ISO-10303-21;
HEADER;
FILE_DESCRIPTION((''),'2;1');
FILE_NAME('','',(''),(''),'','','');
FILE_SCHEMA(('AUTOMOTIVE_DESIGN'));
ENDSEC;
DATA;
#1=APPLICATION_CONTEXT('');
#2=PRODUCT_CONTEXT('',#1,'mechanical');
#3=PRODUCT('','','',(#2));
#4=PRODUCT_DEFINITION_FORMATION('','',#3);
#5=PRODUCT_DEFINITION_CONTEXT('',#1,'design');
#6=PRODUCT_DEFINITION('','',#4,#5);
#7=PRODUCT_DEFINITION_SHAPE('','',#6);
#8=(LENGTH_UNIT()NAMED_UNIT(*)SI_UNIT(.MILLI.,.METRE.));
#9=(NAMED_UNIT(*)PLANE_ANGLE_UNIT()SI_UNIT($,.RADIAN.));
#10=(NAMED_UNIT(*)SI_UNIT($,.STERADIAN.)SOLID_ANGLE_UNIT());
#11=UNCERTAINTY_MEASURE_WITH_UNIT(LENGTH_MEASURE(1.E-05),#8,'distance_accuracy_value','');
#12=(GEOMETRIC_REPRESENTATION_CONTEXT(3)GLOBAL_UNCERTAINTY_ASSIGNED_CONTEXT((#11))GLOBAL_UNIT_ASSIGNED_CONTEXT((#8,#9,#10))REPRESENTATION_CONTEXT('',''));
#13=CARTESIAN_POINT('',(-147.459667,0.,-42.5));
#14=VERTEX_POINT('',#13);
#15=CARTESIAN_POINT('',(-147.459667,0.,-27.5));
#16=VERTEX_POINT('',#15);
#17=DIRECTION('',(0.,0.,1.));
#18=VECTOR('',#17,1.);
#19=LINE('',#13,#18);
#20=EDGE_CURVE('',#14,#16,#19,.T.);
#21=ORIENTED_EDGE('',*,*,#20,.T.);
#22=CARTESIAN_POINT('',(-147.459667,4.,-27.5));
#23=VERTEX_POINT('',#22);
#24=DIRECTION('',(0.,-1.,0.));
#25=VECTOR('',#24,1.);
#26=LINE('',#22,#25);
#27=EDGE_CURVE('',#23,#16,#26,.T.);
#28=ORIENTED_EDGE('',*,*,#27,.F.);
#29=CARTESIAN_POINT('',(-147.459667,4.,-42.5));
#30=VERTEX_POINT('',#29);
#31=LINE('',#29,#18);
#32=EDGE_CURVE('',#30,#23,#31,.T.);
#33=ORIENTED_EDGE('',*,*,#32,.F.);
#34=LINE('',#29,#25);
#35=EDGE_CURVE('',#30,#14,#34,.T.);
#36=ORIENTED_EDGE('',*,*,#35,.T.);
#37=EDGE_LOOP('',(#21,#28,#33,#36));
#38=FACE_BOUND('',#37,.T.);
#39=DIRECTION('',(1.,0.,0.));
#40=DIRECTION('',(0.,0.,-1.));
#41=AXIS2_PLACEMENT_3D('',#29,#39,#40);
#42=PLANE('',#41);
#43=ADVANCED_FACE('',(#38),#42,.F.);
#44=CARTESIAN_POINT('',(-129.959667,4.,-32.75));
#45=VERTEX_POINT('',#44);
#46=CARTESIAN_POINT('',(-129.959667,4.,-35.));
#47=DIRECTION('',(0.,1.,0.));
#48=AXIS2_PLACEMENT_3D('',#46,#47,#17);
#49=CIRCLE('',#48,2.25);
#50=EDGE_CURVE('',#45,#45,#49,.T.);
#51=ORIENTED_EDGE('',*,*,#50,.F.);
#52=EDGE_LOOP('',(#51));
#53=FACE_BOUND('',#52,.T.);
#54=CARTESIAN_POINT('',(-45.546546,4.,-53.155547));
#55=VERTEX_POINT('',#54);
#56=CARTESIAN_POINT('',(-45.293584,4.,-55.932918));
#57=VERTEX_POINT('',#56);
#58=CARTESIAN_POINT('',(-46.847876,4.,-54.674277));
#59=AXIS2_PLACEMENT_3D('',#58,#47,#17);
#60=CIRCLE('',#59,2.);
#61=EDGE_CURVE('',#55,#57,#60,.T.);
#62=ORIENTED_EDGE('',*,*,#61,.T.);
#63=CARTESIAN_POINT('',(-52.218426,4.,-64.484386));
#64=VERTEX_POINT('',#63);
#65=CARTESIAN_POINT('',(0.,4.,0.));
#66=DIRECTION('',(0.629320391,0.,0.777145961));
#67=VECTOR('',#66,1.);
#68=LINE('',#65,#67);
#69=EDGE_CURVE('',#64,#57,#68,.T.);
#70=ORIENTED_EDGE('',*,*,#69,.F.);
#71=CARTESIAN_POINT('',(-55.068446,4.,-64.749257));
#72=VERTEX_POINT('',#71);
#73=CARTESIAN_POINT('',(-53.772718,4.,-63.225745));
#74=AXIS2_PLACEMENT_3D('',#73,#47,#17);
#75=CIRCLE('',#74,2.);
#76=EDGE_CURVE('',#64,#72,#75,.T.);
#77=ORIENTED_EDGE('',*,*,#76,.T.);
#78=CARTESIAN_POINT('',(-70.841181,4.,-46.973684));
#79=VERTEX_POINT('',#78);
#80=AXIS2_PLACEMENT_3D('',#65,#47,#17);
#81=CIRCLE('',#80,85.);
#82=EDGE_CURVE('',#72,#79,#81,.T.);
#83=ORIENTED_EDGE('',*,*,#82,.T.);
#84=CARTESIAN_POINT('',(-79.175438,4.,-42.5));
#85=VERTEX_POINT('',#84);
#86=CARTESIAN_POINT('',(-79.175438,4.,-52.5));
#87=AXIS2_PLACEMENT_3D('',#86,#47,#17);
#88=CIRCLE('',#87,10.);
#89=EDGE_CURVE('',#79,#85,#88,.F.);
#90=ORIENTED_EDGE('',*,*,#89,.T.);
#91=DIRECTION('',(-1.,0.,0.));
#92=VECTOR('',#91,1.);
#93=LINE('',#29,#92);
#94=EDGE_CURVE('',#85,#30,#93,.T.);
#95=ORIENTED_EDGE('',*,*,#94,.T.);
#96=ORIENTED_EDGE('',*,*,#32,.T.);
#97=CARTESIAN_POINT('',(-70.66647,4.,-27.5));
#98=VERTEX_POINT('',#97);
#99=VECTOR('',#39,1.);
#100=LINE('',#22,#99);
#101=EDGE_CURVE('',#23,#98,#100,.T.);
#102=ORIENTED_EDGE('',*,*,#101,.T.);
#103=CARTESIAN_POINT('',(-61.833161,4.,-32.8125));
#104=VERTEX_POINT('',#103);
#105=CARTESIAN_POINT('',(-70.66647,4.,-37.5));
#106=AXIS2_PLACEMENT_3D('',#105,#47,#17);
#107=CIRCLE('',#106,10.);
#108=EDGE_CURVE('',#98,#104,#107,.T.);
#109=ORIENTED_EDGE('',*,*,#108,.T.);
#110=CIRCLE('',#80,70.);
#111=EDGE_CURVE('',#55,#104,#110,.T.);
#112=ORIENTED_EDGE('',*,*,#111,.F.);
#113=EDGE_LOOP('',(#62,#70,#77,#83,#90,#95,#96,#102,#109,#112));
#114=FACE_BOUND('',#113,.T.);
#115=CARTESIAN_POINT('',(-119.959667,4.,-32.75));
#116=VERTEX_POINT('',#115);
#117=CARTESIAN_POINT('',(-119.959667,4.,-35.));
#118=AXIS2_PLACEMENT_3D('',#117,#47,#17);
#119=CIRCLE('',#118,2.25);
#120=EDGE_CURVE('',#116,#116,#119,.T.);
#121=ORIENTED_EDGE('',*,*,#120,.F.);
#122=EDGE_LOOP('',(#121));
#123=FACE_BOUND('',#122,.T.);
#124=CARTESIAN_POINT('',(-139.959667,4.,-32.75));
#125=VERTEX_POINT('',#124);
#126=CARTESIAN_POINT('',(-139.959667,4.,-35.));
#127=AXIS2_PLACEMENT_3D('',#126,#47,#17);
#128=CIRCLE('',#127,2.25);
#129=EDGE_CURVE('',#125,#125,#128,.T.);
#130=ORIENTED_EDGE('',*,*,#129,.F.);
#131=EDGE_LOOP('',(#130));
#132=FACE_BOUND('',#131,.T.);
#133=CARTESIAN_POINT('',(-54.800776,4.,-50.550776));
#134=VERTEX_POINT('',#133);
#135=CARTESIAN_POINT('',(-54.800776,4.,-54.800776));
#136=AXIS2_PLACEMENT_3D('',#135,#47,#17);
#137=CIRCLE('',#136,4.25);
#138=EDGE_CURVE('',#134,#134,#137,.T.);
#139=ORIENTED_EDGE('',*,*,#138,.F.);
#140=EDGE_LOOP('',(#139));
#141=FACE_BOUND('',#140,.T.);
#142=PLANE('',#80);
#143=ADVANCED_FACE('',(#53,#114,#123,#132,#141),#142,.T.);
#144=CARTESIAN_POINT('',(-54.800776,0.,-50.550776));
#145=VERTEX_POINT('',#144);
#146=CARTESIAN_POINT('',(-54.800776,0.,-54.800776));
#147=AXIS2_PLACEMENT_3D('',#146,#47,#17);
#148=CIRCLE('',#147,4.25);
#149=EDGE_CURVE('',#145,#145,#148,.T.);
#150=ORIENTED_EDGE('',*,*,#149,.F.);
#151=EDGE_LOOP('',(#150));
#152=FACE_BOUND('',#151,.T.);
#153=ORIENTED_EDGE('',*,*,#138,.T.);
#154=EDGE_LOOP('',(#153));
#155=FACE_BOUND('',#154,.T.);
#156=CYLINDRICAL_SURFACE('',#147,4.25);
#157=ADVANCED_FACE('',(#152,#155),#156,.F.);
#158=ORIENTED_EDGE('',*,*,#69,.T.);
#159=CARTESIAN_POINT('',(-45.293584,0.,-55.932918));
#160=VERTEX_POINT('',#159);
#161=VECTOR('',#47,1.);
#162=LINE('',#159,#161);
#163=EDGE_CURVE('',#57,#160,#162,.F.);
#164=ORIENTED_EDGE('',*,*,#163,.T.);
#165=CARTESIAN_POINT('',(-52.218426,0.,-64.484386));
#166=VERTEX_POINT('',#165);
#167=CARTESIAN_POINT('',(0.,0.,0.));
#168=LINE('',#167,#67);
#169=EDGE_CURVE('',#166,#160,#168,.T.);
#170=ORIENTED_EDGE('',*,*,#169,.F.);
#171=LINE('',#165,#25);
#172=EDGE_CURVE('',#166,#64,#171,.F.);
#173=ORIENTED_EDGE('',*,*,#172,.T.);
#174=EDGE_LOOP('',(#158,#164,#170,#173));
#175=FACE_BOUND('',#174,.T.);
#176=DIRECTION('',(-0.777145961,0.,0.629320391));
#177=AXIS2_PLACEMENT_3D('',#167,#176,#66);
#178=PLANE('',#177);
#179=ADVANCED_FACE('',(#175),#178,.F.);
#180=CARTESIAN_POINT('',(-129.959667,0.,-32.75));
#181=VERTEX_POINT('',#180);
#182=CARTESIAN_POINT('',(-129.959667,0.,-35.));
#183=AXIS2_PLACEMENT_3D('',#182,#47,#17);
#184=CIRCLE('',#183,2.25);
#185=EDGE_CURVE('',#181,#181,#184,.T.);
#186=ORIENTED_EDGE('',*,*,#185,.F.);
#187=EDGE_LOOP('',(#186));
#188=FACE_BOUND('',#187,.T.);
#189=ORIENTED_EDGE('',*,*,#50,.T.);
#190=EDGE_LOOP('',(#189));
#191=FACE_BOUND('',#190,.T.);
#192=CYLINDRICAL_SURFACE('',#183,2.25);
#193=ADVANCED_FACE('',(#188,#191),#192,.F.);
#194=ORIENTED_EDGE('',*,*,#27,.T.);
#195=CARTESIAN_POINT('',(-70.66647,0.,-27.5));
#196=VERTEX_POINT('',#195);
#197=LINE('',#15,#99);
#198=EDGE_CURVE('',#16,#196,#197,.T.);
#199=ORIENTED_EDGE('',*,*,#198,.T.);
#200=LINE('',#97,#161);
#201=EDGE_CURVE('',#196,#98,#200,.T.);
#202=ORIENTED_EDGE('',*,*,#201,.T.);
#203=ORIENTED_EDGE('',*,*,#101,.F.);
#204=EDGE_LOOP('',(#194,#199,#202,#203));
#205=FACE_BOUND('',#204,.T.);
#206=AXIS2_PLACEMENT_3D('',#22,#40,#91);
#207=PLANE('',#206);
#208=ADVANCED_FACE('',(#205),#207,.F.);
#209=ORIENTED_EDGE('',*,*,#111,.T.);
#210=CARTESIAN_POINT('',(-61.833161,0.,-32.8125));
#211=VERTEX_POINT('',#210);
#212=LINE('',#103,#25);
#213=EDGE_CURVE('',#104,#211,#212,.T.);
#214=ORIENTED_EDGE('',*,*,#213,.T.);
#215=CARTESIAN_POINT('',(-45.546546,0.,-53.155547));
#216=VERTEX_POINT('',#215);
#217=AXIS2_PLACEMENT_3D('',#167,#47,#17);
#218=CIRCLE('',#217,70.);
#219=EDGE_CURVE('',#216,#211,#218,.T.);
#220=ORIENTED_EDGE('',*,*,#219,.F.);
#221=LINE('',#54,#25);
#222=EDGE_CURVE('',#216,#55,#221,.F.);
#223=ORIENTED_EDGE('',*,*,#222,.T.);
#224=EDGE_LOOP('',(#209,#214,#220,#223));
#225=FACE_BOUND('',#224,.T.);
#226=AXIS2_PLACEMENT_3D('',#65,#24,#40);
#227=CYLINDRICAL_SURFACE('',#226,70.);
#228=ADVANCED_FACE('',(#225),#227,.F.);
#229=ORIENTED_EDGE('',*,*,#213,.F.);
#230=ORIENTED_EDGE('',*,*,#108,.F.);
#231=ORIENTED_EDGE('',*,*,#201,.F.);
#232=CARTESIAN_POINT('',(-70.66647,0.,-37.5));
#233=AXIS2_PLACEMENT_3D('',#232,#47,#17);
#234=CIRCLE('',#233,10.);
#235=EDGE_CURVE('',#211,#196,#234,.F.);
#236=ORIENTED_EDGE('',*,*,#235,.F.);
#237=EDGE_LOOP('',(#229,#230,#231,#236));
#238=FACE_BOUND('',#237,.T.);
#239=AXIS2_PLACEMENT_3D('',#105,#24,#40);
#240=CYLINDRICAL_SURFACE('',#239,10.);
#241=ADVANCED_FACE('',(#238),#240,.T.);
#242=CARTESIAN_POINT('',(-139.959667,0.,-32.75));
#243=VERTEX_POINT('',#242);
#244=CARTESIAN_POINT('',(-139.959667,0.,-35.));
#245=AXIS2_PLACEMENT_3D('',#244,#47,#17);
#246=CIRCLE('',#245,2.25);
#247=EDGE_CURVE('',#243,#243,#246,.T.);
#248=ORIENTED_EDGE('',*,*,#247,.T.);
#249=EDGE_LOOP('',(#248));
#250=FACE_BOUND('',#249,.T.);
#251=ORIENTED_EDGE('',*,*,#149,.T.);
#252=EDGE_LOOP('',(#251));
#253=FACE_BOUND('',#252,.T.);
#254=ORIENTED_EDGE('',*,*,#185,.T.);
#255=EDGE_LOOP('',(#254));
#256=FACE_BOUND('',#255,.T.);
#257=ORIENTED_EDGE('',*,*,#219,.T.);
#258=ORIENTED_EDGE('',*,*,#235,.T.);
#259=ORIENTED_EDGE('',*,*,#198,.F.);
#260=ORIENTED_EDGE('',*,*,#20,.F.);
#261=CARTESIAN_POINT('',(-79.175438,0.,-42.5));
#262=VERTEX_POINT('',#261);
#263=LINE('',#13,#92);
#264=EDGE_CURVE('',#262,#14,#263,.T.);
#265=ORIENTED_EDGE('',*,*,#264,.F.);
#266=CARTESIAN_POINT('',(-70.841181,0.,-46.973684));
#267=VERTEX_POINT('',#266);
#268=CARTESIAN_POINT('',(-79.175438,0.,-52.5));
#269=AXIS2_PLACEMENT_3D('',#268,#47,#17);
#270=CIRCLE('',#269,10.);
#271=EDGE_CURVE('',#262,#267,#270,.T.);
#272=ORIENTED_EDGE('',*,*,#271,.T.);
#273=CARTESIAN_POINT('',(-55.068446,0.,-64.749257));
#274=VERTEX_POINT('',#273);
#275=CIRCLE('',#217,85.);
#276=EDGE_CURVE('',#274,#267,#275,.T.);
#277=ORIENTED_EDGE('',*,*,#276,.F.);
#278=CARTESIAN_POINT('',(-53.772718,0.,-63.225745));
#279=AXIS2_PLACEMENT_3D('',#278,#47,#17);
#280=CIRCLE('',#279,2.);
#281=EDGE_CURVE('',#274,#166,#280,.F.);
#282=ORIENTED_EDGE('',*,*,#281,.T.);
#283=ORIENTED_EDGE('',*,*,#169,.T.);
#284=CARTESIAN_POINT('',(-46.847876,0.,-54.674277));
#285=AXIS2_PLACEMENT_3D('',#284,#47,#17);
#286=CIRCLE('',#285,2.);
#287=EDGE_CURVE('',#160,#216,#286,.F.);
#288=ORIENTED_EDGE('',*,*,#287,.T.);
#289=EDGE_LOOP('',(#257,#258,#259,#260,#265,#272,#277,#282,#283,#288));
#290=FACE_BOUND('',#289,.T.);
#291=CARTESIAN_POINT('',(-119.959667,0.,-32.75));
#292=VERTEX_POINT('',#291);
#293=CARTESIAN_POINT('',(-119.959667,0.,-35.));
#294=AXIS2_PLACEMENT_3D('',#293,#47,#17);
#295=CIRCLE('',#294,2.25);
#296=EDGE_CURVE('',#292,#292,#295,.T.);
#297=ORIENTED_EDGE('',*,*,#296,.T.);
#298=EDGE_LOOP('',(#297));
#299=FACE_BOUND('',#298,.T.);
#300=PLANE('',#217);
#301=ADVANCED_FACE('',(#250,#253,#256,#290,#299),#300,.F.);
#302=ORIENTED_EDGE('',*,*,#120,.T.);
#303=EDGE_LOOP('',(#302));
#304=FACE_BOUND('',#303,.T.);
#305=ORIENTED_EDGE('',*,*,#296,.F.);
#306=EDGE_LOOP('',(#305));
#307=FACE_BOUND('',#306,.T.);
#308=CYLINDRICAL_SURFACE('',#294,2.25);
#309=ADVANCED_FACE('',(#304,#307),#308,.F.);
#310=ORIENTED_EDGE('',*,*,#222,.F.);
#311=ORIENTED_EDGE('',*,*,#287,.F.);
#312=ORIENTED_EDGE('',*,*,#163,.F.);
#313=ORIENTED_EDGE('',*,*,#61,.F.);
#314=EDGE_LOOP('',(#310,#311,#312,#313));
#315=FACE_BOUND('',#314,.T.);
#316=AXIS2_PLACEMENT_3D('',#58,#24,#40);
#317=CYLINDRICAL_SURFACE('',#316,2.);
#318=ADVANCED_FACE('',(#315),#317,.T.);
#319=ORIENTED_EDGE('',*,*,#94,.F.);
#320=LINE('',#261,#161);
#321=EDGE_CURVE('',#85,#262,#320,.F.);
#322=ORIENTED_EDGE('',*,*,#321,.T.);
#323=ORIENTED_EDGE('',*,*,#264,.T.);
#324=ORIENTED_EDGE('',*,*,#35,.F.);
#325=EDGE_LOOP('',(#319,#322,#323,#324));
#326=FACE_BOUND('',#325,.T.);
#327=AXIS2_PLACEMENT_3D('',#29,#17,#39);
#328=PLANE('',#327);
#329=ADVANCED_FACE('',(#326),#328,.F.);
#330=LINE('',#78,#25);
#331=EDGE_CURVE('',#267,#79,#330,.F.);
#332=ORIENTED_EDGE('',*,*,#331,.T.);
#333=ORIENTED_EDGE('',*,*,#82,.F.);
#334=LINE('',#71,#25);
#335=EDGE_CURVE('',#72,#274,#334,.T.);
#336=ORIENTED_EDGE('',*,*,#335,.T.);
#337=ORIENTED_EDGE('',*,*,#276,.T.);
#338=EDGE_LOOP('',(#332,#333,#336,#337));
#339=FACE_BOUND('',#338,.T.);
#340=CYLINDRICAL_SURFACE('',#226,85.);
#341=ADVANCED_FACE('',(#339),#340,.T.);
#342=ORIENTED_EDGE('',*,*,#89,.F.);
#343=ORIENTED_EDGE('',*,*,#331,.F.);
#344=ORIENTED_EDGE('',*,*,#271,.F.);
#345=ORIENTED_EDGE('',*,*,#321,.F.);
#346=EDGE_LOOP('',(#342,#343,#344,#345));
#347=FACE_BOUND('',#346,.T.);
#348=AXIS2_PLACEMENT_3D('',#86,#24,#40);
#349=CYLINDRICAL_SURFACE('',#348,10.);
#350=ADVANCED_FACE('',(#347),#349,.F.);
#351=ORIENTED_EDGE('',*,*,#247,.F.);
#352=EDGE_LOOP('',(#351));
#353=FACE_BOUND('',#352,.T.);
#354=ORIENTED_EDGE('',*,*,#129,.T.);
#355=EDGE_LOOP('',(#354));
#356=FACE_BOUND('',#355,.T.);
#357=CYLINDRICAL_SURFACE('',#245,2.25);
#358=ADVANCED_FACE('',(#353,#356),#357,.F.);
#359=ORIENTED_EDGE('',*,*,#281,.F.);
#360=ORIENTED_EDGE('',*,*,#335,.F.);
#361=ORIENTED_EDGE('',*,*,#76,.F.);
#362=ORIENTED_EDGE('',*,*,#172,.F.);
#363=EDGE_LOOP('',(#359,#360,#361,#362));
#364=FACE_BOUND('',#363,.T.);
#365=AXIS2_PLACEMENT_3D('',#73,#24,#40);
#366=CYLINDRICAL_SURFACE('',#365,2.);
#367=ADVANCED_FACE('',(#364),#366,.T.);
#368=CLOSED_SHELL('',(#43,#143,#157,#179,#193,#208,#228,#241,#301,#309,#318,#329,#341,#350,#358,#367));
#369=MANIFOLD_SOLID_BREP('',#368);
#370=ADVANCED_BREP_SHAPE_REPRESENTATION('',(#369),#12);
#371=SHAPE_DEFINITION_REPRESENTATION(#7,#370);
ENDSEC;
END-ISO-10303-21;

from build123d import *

# Parameters (mm, degrees)
SKETCH1_R           = 85
BOSS_EXTRUDE1_DEPTH = 4
SKETCH2_R           = 4.25
CUT_EXTRUDE1_DEPTH  = 5
CUT_EXTRUDE2_DEPTH  = 5
SKETCH5_W           = 42.180521306
SKETCH5_H           = 70
CUT_EXTRUDE4_DEPTH  = 5
SKETCH6_W           = 106.727452964
SKETCH6_H           = 15
BOSS_EXTRUDE3_DEPTH = 4
SKETCH7_R           = 70
CUT_EXTRUDE5_DEPTH  = 5
SKETCH8_R           = 2.25
CUT_EXTRUDE6_DEPTH  = 5
LPATTERN1_COUNT     = 3
LPATTERN1_PITCH     = 10
FILLET1_R           = 10
FILLET2_R           = 2


with BuildPart() as part:
    # Sketch1 → Boss-Extrude1 (new body)
    with BuildSketch(Plane(origin=(0, 0, 0), x_dir=(1, 0, 0), z_dir=(0, 1, 0))):
        Circle(SKETCH1_R)
    extrude(amount=BOSS_EXTRUDE1_DEPTH)

    # Sketch2 → Cut-Extrude1 (cut, through all)
    with BuildSketch(Plane(origin=(0, 4, 0), x_dir=(1, 0, 0), z_dir=(0, 1, 0))):
        with Locations((-54.800775542, 54.800775542)):
            Circle(SKETCH2_R)
    extrude(amount=-CUT_EXTRUDE1_DEPTH, mode=Mode.SUBTRACT)

    # Sketch3 → Cut-Extrude2 (cut, through all)
    with BuildSketch(Plane(origin=(0, 4, 0), x_dir=(1, 0, 0), z_dir=(0, 1, 0))):
        with BuildLine():
            Line((0, 0), (-85, 0))
            ThreePointArc((-85, 0), (76.71974917, -36.593443229), (-53.492233239, 66.057406724))
            Line((-53.492233239, 66.057406724), (0, 0))
        make_face()
    extrude(amount=-CUT_EXTRUDE2_DEPTH, mode=Mode.SUBTRACT)

    # Sketch5 → Cut-Extrude4 (cut, through all)
    with BuildSketch(Plane(origin=(0, 0, 0), x_dir=(1, 0, 0), z_dir=(0, 1, 0))):
        with Locations((-74.50134639, 0)):
            Rectangle(SKETCH5_W, SKETCH5_H)
    extrude(amount=CUT_EXTRUDE4_DEPTH, mode=Mode.SUBTRACT)

    # Sketch6 → Boss-Extrude3 (add)
    with BuildSketch(Plane(origin=(0, 0, 0), x_dir=(1, 0, 0), z_dir=(0, 1, 0))):
        with Locations((-94.095940442, 35)):
            Rectangle(SKETCH6_W, SKETCH6_H)
    extrude(amount=BOSS_EXTRUDE3_DEPTH)

    # Sketch7 → Cut-Extrude5 (cut, through all)
    with BuildSketch(Plane(origin=(0, 0, 0), x_dir=(1, 0, 0), z_dir=(0, 1, 0))):
        Circle(SKETCH7_R)
    extrude(amount=CUT_EXTRUDE5_DEPTH, mode=Mode.SUBTRACT)

    # Sketch8 → Cut-Extrude6 (cut, through all)
    with BuildSketch(Plane(origin=(0, 4, 0), x_dir=(1, 0, 0), z_dir=(0, 1, 0))):
        with Locations((-139.959666924, 35)):
            Circle(SKETCH8_R)
    cut_extrude6 = extrude(amount=-CUT_EXTRUDE6_DEPTH, mode=Mode.SUBTRACT)

    # LPattern1: Cut-Extrude6 ×3
    with Locations(*[(i * LPATTERN1_PITCH, 0, 0) for i in range(1, LPATTERN1_COUNT)]):
        add(cut_extrude6, mode=Mode.SUBTRACT)

    # Fillet1
    fillet1_edges = [part.edges().sort_by_distance(p)[0] for p in [
        (-73.612159322, 2, -42.5),
        (-64.371965948, 2, -27.5),
    ]]
    fillet(fillet1_edges, radius=FILLET1_R)

    # Fillet2
    fillet2_edges = [part.edges().sort_by_distance(p)[0] for p in [
        (-53.492233239, 2, -66.057406724),
        (-44.052427373, 2, -54.400217302),
    ]]
    fillet(fillet2_edges, radius=FILLET2_R)


solid = part.part
